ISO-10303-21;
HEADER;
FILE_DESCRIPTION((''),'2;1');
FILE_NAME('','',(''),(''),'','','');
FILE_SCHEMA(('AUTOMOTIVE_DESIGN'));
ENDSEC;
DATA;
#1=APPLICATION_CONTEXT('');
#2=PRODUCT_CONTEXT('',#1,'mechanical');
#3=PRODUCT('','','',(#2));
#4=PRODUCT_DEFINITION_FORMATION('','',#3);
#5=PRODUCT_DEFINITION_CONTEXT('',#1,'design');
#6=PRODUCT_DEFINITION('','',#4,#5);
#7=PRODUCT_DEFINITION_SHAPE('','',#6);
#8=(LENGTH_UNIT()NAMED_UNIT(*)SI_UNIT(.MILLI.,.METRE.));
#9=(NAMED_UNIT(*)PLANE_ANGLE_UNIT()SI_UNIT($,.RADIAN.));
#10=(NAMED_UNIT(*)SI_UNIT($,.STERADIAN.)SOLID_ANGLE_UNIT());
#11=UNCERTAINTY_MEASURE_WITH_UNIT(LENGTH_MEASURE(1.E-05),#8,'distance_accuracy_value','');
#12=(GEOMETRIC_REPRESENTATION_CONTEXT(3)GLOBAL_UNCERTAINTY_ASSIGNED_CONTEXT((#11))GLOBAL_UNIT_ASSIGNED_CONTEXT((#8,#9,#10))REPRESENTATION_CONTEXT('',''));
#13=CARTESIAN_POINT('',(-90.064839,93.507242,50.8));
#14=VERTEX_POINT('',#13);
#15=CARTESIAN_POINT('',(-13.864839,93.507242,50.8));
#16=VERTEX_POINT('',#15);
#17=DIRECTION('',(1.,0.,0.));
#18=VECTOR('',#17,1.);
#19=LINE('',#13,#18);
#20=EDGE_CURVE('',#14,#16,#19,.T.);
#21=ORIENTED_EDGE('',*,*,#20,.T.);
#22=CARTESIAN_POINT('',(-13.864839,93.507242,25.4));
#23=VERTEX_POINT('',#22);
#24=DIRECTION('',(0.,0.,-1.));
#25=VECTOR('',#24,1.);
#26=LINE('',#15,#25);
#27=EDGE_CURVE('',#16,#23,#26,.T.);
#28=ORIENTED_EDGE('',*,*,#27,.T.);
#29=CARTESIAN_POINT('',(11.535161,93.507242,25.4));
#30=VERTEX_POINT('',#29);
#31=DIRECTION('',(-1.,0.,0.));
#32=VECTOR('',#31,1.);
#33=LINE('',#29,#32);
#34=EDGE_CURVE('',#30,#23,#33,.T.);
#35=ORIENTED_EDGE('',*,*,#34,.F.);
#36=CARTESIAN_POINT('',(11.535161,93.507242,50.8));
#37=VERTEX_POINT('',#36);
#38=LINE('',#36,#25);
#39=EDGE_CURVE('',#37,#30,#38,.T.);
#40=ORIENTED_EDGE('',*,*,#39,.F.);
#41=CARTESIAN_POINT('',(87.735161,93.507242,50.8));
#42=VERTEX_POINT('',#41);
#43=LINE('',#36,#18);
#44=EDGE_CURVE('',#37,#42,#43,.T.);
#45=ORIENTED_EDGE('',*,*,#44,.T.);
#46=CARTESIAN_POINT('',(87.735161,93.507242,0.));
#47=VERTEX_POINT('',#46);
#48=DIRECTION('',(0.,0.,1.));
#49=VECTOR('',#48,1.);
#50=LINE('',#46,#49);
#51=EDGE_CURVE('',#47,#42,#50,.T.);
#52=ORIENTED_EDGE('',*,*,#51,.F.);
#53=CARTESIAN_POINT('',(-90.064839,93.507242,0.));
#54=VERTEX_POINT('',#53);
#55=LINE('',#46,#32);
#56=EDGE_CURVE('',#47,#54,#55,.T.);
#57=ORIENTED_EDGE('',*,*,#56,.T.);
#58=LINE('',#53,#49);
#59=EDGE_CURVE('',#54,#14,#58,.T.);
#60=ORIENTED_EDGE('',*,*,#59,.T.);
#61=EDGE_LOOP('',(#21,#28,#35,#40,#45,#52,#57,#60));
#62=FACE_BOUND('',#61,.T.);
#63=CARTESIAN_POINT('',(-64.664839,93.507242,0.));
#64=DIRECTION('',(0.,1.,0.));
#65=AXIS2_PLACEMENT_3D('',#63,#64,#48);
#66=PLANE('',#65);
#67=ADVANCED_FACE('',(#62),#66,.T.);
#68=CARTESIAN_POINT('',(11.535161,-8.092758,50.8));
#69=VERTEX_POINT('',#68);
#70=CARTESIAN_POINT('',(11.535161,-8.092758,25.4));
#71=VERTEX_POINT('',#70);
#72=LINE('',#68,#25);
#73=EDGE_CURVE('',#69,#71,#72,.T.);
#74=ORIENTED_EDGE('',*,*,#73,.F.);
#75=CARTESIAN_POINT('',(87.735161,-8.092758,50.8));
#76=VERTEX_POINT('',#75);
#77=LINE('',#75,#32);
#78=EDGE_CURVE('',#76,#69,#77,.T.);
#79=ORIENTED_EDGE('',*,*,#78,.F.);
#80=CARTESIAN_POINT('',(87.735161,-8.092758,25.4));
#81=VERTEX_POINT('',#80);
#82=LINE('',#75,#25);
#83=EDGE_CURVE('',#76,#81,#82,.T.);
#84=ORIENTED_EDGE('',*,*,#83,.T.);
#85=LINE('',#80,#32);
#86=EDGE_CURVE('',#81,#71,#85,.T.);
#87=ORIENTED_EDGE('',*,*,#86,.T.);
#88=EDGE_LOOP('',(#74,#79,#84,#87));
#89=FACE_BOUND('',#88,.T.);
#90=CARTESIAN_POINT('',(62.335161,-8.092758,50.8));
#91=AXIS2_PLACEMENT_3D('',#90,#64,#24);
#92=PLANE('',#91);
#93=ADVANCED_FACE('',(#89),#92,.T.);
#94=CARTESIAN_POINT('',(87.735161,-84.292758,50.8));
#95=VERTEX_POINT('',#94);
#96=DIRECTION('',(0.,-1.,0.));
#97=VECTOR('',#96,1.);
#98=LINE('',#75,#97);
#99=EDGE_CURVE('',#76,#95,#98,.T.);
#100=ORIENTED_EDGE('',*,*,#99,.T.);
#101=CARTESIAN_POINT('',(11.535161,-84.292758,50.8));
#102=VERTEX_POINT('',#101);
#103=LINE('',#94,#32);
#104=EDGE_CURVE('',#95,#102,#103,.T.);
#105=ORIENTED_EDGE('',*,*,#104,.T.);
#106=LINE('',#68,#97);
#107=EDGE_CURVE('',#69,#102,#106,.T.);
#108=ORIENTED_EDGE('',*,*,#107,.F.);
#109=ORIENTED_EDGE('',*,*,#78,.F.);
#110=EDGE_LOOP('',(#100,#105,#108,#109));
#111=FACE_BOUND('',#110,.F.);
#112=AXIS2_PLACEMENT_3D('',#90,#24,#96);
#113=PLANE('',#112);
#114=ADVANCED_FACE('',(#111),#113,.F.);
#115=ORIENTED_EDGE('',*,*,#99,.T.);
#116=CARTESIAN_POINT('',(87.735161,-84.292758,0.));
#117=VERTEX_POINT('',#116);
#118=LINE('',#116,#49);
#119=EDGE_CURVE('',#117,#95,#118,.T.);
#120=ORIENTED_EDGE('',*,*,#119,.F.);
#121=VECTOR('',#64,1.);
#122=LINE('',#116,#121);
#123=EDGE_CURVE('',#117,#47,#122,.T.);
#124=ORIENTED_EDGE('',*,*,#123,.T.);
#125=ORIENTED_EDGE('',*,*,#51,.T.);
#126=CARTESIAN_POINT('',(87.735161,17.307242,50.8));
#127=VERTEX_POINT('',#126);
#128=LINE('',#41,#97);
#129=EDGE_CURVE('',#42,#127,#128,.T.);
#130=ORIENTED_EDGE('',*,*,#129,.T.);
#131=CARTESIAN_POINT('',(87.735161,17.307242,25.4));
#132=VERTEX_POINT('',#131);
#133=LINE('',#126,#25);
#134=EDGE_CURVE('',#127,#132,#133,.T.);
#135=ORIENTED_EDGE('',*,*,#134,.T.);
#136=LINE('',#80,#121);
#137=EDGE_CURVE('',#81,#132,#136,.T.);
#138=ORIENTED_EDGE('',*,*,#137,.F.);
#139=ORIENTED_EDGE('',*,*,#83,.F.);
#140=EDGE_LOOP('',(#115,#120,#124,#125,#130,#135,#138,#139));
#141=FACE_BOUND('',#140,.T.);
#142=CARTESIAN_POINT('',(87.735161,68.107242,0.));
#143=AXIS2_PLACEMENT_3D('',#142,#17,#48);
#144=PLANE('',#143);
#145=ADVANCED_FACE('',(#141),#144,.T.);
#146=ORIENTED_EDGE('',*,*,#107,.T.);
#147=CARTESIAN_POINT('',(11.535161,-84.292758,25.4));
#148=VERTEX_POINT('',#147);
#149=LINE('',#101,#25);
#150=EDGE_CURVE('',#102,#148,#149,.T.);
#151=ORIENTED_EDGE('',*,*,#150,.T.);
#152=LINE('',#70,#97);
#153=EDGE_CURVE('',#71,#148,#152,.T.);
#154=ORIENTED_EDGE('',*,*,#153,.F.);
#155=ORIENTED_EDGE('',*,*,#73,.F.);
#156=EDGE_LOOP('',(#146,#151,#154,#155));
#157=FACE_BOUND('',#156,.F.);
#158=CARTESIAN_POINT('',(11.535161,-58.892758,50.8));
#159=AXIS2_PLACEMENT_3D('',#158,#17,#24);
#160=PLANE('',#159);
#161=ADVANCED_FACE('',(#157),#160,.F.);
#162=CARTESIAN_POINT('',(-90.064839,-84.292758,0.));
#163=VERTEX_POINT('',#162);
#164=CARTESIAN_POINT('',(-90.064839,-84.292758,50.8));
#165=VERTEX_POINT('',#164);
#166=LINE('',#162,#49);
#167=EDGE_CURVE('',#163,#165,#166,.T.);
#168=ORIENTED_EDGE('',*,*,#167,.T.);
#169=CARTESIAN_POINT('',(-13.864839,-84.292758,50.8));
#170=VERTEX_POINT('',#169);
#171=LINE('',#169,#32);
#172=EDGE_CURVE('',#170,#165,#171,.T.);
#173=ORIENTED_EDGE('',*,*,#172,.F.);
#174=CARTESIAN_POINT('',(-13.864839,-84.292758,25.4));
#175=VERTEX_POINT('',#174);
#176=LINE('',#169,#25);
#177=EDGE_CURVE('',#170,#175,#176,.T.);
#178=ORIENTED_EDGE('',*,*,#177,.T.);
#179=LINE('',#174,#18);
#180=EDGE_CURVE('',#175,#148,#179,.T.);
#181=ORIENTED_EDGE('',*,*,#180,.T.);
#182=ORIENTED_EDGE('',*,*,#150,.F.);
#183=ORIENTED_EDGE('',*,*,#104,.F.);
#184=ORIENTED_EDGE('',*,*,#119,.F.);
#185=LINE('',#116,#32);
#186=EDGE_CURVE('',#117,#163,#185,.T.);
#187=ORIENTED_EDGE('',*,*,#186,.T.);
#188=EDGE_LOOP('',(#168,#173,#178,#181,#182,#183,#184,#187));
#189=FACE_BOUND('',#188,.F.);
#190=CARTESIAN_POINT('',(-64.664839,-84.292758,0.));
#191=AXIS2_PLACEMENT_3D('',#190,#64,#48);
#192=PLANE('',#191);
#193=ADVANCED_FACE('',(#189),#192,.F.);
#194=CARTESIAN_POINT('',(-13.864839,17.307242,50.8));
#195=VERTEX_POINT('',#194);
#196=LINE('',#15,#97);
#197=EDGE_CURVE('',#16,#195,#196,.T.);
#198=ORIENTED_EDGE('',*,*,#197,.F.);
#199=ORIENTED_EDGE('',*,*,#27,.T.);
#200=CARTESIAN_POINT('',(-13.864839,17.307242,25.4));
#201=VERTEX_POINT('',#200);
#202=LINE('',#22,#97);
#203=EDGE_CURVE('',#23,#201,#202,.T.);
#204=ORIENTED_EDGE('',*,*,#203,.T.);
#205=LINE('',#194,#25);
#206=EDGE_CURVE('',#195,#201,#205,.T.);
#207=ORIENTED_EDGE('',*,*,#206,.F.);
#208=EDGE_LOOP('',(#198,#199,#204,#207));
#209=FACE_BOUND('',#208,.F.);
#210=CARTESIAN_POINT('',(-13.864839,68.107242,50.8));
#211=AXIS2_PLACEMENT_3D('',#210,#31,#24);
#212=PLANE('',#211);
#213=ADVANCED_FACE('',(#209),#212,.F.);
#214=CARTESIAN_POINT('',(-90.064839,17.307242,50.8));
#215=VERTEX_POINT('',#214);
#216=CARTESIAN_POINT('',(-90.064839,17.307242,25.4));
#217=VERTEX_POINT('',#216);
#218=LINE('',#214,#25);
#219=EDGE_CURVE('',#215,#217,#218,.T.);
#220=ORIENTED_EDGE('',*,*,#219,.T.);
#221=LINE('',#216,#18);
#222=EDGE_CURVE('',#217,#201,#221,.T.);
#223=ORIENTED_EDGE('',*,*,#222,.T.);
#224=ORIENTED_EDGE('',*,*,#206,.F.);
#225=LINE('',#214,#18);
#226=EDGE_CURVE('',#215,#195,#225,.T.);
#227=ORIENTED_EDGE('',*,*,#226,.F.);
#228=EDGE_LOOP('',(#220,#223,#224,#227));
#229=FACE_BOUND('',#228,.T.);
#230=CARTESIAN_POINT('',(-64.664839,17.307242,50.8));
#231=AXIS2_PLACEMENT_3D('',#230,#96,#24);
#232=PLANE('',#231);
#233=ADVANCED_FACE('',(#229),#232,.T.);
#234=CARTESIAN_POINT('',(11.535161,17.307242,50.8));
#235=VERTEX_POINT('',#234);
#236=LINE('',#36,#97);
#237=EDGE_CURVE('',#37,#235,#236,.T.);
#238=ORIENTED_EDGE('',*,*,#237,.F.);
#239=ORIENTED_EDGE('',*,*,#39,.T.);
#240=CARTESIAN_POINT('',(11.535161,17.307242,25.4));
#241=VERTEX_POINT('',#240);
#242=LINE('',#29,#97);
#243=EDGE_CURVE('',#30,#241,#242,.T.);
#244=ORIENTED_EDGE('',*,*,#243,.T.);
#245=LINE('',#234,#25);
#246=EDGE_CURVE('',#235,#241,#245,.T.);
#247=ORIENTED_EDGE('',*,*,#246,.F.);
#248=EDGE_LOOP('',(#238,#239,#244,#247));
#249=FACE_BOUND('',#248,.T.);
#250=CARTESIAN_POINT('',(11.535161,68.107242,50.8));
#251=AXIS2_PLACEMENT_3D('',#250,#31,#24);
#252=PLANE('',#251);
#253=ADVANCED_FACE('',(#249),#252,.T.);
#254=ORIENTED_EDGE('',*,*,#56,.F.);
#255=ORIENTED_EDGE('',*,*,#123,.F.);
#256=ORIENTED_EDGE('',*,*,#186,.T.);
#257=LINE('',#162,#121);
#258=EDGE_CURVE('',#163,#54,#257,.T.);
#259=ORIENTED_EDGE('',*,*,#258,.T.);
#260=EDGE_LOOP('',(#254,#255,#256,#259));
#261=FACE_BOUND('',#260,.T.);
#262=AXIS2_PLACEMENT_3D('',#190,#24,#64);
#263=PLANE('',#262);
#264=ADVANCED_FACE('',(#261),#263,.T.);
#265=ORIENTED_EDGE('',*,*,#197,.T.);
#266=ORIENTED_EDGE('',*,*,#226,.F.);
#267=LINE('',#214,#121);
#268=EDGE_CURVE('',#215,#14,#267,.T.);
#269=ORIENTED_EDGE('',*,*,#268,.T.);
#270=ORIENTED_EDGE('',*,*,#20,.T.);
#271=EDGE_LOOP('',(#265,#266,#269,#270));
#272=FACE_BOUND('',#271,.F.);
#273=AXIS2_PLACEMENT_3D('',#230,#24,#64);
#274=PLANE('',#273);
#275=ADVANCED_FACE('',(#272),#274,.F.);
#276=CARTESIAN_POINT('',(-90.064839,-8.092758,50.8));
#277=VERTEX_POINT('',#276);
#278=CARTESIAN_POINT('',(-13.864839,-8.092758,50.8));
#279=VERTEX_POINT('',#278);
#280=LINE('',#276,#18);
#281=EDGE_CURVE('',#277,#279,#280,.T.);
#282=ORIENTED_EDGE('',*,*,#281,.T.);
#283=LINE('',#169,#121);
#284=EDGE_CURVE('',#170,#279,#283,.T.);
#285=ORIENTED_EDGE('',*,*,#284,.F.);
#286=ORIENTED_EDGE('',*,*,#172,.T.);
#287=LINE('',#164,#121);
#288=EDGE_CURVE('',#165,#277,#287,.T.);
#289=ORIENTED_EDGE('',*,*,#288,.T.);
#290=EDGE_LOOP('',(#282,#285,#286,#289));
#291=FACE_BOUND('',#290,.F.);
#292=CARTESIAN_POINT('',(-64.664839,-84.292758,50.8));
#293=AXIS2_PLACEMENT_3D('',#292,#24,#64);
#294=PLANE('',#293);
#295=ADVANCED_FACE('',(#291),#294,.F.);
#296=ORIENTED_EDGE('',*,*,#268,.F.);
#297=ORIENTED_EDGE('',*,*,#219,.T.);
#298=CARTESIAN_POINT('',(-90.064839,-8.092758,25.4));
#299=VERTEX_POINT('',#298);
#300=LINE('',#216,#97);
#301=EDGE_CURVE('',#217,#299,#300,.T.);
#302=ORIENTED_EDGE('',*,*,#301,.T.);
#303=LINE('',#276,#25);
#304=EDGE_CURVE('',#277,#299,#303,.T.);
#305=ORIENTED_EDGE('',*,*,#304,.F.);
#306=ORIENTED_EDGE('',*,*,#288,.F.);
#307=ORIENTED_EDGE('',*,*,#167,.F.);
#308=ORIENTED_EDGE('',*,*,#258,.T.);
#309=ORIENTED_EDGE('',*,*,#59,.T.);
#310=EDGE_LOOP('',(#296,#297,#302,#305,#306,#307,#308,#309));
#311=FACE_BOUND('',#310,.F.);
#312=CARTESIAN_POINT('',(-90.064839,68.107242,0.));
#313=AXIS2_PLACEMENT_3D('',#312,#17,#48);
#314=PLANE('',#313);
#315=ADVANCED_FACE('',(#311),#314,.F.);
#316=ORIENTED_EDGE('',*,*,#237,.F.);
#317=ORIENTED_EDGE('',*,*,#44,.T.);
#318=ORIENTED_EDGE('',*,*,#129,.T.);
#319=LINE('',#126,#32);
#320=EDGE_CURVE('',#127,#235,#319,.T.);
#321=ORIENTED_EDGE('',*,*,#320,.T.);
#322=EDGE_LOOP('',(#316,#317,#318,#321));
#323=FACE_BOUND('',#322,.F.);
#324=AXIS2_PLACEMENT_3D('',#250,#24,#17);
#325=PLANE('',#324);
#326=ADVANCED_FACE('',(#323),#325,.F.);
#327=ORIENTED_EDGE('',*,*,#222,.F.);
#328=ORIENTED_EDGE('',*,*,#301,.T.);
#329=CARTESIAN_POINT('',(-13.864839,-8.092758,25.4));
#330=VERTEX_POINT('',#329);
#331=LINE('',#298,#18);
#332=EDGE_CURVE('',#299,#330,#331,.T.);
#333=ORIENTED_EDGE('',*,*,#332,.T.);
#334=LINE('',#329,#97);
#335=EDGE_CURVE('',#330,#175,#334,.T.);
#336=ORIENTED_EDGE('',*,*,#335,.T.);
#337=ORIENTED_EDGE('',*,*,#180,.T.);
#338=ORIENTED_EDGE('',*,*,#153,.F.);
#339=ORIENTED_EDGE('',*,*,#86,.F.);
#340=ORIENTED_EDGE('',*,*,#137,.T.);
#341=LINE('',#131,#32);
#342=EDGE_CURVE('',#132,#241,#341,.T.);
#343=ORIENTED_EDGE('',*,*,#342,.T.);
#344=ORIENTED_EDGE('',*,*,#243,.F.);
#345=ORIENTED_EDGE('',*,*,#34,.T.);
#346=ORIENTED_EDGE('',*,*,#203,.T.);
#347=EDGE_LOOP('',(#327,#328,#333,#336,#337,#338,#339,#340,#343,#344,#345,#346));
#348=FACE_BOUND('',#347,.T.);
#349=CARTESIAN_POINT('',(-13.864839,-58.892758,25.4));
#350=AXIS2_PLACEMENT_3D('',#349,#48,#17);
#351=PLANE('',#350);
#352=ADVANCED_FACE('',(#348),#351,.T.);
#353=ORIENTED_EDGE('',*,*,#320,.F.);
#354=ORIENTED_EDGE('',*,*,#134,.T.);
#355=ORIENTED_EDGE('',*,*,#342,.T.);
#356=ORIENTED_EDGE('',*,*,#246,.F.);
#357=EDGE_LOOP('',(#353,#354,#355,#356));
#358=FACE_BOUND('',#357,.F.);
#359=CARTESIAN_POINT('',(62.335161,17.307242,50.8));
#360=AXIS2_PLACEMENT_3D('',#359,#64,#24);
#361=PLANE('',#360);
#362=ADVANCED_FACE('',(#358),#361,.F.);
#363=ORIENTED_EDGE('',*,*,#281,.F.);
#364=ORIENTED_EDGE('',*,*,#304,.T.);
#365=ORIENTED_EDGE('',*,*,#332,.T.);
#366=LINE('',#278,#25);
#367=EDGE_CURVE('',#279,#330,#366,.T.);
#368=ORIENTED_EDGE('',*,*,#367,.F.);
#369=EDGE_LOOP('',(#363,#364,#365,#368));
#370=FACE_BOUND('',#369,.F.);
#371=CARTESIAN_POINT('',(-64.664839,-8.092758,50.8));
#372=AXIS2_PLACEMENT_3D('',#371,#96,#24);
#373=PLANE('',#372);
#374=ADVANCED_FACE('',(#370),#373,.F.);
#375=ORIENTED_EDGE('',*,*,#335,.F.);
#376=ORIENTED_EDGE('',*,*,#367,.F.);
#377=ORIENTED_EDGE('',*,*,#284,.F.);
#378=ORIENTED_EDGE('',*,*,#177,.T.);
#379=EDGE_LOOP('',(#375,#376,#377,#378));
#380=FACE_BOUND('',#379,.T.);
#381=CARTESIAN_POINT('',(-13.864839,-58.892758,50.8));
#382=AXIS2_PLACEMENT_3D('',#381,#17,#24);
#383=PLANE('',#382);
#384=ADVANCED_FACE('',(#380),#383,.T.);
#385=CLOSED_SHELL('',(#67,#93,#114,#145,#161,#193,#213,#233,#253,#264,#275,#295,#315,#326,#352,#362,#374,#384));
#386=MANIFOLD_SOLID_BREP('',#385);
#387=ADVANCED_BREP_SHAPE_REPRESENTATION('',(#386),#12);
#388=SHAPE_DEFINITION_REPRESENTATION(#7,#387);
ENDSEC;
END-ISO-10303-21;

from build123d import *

# Parameters (mm, degrees)
F0_W     = 127
F0_H     = 127
F1_DEPTH = 50.8
F3_DEPTH = 25.4
F4_DEPTH = 25.4
F5_DEPTH = 25.4
F6_DEPTH = 25.4
F7_DEPTH = 25.4


with BuildPart() as f1:
    # F0 (on Top) → F1 (new body)
    with BuildSketch(Plane.XY):
        with Locations((-1.1648386717, 4.6072422095)):
            Rectangle(F0_W, F0_H)
    extrude(amount=F1_DEPTH)

    # F2 (on face) → F3 (cut)
    with BuildSketch(Plane.XY.offset(50.8)):
        Polygon((11.5351613283, 68.1072422095), (-13.8648386717, 68.1072422095), (-13.8648386717, 17.3072422095), (-64.6648386717, 17.3072422095), (-64.6648386717, -8.0927577905), (-13.8648386717, -8.0927577905), (-13.8648386717, -58.8927577905), (11.5351613283, -58.8927577905), (11.5351613283, -8.0927577905), (62.3351613283, -8.0927577905), (62.3351613283, 17.3072422095), (11.5351613283, 17.3072422095), align=None)
    extrude(amount=-F3_DEPTH, mode=Mode.SUBTRACT)

    # F4 (add): a face of the model
    f4_faces = [f1.faces().sort_by_distance(p)[0] for p in [
        (-1.1648386717, -58.8927577905, 23.9888888889),
    ]]
    extrude(f4_faces, amount=F4_DEPTH)

    # F5 (add): a face of the model
    f5_faces = [f1.faces().sort_by_distance(p)[0] for p in [
        (62.3351613283, -9.247303245, 24.2454545455),
    ]]
    extrude(f5_faces, amount=F5_DEPTH)

    # F6 (add): a face of the model
    f6_faces = [f1.faces().sort_by_distance(p)[0] for p in [
        (12.6897067829, 68.1072422095, 24.2454545455),
    ]]
    extrude(f6_faces, amount=F6_DEPTH)

    # F7 (add): a face of the model
    f7_faces = [f1.faces().sort_by_distance(p)[0] for p in [
        (-64.6648386717, 4.6072422095, 24.4230769231),
    ]]
    extrude(f7_faces, amount=F7_DEPTH)


solid = f1.part
